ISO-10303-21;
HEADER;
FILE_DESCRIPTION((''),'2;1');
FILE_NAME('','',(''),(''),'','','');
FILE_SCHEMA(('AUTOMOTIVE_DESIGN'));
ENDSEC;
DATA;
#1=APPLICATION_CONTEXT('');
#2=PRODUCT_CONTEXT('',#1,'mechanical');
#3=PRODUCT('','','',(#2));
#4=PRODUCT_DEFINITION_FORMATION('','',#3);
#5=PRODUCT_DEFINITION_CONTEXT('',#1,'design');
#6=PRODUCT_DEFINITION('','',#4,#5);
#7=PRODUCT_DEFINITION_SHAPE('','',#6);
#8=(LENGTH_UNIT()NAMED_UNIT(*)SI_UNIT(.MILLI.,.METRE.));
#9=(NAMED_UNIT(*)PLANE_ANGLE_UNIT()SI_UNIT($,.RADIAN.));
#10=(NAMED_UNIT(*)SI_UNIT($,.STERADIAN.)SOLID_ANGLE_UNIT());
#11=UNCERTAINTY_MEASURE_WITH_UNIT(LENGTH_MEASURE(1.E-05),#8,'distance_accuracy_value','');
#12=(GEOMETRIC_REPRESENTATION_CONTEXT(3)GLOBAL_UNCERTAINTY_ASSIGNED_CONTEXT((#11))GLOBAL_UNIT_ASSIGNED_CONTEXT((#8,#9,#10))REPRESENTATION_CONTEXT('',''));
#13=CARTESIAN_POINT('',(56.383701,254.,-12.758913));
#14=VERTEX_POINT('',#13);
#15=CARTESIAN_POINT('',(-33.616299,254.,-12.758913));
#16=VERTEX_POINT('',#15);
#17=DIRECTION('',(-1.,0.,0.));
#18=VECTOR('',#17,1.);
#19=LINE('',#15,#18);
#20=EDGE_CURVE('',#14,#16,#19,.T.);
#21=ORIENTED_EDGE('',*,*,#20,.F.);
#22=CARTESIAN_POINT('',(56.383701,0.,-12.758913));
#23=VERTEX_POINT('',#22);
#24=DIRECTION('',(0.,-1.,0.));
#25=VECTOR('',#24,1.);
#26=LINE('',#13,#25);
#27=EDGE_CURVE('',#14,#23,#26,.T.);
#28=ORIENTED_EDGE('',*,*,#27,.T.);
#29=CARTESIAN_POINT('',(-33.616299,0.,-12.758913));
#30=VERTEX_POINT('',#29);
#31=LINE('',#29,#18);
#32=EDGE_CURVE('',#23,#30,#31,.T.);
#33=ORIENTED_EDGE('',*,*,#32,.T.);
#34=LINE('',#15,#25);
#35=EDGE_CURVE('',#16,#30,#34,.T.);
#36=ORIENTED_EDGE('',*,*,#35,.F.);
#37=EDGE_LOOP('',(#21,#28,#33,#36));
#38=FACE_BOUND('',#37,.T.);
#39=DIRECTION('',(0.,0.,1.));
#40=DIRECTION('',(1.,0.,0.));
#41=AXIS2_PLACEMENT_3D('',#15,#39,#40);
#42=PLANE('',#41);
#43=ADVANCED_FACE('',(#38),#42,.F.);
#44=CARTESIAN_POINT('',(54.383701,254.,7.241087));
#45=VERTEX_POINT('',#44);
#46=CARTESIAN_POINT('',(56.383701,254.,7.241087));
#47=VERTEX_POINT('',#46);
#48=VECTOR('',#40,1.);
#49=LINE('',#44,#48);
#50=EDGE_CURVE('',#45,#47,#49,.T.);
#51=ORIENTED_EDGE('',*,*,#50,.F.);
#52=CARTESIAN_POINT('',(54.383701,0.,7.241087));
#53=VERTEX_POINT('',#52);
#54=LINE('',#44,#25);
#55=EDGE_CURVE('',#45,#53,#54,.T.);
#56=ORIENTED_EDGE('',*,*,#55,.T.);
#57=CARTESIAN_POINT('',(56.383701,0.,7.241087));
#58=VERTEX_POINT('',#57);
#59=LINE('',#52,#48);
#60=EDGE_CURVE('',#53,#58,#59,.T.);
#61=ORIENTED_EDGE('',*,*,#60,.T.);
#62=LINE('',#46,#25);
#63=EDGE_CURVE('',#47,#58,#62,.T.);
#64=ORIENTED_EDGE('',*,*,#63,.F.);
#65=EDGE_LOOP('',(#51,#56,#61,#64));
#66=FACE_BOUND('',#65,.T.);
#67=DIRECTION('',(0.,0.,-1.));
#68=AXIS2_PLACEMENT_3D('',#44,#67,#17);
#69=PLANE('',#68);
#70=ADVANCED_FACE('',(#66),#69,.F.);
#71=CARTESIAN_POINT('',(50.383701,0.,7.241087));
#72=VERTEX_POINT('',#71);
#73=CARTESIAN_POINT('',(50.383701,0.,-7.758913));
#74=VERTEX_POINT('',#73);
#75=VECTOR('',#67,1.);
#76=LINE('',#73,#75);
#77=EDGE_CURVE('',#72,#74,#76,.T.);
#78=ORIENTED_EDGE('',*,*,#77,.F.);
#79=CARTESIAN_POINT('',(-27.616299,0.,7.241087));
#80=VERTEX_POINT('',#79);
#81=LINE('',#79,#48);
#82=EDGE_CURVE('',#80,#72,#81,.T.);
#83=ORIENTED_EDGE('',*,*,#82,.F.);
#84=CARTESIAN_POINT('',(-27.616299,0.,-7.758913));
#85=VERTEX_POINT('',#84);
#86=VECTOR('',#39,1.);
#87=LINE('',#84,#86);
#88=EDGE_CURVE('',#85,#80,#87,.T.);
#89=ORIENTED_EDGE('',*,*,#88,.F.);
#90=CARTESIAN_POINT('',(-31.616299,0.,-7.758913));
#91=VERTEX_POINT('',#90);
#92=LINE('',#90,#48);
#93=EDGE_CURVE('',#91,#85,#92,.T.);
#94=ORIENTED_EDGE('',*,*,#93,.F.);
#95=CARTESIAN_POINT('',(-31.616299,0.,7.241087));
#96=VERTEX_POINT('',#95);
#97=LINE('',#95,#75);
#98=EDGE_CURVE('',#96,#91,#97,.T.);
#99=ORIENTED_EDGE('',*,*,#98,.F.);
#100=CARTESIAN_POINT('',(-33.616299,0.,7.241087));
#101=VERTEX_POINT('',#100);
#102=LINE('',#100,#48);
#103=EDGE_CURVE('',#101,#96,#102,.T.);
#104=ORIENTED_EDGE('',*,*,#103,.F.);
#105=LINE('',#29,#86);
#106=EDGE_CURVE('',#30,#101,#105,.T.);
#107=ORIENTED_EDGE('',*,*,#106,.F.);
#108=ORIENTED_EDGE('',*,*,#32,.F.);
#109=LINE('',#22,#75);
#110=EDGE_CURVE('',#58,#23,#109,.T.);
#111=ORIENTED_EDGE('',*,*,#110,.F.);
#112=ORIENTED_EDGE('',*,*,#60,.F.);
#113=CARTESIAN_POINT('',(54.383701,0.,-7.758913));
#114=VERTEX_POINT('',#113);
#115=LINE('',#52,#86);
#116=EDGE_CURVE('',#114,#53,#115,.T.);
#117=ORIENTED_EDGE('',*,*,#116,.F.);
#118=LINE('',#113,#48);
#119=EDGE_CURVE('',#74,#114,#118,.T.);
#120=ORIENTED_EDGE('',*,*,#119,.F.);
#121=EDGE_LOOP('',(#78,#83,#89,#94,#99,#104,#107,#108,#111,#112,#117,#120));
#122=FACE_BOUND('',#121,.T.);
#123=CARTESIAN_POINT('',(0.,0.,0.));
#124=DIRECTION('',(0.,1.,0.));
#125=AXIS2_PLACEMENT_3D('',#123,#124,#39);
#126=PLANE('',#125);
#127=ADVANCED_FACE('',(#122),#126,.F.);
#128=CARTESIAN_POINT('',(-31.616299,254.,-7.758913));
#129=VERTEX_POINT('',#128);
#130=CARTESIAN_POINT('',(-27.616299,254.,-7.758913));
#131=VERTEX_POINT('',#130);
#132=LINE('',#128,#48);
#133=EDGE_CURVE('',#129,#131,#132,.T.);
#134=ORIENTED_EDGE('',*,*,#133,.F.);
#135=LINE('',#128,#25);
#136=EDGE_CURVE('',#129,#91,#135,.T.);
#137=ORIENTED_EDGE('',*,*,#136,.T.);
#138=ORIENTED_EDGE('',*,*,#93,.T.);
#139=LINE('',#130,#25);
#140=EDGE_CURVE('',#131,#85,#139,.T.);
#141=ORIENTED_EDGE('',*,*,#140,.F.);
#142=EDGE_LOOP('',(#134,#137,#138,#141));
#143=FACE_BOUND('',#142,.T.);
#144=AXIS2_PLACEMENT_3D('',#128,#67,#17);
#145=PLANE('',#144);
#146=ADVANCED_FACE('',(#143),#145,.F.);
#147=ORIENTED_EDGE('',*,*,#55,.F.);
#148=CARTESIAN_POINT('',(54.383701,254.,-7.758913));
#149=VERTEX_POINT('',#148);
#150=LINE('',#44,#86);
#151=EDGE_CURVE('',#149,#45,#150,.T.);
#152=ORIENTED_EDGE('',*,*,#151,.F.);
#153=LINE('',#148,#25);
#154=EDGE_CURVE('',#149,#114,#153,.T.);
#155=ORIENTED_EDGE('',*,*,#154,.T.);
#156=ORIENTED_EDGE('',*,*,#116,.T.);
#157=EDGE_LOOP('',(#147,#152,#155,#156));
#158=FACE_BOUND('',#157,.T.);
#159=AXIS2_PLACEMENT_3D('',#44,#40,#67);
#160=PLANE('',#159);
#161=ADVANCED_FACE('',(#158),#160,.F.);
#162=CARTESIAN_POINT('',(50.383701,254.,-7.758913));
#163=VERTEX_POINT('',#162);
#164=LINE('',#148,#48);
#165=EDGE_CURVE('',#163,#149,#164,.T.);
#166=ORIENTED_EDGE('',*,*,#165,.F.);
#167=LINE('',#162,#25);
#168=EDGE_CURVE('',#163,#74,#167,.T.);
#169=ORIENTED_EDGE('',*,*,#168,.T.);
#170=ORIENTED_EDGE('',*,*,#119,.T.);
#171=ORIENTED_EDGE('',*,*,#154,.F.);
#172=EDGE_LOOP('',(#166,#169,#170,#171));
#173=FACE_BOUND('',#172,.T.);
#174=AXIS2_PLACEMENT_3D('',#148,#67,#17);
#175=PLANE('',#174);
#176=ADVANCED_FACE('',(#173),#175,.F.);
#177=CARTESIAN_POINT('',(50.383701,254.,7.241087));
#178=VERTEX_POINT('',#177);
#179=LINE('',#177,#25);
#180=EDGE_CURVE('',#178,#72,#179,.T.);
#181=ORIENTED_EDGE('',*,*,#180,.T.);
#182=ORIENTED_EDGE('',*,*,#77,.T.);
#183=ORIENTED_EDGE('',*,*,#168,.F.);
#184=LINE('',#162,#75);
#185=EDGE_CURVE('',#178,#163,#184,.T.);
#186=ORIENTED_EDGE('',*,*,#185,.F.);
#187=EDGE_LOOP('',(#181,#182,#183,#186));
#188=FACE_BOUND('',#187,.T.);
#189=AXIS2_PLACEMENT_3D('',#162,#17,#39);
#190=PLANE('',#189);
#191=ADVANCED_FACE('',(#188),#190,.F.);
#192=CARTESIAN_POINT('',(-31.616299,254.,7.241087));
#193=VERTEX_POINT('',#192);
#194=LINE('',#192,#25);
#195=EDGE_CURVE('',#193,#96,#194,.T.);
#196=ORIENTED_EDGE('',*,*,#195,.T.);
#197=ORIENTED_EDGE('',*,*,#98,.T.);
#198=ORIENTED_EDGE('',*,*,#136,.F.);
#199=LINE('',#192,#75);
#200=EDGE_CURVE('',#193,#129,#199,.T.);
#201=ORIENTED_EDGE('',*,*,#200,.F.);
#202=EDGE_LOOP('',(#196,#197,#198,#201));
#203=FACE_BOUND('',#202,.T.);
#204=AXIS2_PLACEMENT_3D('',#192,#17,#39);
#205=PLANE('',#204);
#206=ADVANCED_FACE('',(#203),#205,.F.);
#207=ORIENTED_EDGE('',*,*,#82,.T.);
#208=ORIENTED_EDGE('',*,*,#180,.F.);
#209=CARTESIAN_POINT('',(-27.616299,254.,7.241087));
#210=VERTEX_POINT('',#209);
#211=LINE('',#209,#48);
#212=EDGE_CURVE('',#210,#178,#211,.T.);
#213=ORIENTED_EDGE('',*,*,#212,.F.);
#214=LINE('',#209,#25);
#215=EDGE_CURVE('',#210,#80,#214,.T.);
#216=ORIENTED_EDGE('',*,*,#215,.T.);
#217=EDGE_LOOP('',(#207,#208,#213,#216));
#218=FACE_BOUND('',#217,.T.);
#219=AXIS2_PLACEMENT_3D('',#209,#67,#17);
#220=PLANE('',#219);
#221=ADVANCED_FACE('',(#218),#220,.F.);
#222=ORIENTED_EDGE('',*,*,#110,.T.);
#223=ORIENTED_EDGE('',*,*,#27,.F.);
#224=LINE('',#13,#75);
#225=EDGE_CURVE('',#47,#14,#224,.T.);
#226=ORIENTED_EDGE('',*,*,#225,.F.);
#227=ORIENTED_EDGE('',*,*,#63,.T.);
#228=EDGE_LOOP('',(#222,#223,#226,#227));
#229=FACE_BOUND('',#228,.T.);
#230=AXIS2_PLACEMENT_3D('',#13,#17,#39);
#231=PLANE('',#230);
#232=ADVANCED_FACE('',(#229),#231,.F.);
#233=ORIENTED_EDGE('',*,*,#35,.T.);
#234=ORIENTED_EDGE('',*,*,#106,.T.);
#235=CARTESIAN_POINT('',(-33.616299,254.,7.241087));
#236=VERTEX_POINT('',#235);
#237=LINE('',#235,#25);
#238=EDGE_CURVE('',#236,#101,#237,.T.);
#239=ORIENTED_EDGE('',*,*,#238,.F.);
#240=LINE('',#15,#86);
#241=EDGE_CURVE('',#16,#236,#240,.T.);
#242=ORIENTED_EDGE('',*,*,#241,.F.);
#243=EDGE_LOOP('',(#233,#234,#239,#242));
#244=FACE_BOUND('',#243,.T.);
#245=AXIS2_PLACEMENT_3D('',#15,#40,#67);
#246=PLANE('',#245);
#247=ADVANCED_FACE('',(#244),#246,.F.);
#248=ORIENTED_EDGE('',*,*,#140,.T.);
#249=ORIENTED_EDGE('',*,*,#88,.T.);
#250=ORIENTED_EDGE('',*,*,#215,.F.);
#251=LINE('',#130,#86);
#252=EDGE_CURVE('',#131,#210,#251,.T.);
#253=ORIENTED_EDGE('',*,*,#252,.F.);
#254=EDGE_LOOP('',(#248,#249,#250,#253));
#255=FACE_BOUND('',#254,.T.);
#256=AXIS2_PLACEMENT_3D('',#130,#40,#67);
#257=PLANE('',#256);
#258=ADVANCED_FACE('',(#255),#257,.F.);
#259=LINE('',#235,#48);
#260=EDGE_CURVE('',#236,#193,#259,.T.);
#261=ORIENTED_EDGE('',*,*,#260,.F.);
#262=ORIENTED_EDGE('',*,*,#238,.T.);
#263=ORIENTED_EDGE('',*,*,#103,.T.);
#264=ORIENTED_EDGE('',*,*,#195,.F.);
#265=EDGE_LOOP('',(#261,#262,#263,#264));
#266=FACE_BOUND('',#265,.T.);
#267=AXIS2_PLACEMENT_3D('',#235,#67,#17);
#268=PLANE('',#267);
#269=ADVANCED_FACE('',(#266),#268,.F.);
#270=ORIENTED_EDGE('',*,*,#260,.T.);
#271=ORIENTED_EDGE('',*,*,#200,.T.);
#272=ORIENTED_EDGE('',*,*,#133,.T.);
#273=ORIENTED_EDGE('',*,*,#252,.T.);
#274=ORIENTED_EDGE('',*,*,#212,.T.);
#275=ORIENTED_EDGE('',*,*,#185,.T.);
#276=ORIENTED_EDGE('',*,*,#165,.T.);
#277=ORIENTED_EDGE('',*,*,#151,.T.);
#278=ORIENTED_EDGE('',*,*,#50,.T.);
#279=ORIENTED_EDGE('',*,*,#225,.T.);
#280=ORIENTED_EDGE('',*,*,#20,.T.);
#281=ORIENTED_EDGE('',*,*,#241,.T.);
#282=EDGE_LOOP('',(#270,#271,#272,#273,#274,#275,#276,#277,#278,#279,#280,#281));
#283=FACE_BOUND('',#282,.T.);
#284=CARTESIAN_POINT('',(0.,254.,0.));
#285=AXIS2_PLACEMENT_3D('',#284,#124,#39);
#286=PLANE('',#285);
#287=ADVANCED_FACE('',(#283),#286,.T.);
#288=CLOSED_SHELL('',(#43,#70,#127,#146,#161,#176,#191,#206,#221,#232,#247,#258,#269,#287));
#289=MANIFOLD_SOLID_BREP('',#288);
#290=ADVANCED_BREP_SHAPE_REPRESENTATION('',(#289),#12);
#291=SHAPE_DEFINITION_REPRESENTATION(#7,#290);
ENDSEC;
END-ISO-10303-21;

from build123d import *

# Parameters (mm, degrees)
EXTRUDE_1_DEPTH = 254


with BuildPart() as part:
    # Эскиз1 → Бобышка-Вытянуть1 (new body)
    with BuildSketch(Plane(origin=(0, 0, 0), x_dir=(1, 0, 0), z_dir=(0, 1, 0))):
        Polygon((-31.616298812, -7.241086587), (-31.616298812, 7.758913413), (-27.616298812, 7.758913413), (-27.616298812, -7.241086587), (50.383701188, -7.241086587), (50.383701188, 7.758913413), (54.383701188, 7.758913413), (54.383701188, -7.241086587), (56.383701188, -7.241086587), (56.383701188, 12.758913413), (-33.616298812, 12.758913413), (-33.616298812, -7.241086587), align=None)
    extrude(amount=EXTRUDE_1_DEPTH)


solid = part.part
